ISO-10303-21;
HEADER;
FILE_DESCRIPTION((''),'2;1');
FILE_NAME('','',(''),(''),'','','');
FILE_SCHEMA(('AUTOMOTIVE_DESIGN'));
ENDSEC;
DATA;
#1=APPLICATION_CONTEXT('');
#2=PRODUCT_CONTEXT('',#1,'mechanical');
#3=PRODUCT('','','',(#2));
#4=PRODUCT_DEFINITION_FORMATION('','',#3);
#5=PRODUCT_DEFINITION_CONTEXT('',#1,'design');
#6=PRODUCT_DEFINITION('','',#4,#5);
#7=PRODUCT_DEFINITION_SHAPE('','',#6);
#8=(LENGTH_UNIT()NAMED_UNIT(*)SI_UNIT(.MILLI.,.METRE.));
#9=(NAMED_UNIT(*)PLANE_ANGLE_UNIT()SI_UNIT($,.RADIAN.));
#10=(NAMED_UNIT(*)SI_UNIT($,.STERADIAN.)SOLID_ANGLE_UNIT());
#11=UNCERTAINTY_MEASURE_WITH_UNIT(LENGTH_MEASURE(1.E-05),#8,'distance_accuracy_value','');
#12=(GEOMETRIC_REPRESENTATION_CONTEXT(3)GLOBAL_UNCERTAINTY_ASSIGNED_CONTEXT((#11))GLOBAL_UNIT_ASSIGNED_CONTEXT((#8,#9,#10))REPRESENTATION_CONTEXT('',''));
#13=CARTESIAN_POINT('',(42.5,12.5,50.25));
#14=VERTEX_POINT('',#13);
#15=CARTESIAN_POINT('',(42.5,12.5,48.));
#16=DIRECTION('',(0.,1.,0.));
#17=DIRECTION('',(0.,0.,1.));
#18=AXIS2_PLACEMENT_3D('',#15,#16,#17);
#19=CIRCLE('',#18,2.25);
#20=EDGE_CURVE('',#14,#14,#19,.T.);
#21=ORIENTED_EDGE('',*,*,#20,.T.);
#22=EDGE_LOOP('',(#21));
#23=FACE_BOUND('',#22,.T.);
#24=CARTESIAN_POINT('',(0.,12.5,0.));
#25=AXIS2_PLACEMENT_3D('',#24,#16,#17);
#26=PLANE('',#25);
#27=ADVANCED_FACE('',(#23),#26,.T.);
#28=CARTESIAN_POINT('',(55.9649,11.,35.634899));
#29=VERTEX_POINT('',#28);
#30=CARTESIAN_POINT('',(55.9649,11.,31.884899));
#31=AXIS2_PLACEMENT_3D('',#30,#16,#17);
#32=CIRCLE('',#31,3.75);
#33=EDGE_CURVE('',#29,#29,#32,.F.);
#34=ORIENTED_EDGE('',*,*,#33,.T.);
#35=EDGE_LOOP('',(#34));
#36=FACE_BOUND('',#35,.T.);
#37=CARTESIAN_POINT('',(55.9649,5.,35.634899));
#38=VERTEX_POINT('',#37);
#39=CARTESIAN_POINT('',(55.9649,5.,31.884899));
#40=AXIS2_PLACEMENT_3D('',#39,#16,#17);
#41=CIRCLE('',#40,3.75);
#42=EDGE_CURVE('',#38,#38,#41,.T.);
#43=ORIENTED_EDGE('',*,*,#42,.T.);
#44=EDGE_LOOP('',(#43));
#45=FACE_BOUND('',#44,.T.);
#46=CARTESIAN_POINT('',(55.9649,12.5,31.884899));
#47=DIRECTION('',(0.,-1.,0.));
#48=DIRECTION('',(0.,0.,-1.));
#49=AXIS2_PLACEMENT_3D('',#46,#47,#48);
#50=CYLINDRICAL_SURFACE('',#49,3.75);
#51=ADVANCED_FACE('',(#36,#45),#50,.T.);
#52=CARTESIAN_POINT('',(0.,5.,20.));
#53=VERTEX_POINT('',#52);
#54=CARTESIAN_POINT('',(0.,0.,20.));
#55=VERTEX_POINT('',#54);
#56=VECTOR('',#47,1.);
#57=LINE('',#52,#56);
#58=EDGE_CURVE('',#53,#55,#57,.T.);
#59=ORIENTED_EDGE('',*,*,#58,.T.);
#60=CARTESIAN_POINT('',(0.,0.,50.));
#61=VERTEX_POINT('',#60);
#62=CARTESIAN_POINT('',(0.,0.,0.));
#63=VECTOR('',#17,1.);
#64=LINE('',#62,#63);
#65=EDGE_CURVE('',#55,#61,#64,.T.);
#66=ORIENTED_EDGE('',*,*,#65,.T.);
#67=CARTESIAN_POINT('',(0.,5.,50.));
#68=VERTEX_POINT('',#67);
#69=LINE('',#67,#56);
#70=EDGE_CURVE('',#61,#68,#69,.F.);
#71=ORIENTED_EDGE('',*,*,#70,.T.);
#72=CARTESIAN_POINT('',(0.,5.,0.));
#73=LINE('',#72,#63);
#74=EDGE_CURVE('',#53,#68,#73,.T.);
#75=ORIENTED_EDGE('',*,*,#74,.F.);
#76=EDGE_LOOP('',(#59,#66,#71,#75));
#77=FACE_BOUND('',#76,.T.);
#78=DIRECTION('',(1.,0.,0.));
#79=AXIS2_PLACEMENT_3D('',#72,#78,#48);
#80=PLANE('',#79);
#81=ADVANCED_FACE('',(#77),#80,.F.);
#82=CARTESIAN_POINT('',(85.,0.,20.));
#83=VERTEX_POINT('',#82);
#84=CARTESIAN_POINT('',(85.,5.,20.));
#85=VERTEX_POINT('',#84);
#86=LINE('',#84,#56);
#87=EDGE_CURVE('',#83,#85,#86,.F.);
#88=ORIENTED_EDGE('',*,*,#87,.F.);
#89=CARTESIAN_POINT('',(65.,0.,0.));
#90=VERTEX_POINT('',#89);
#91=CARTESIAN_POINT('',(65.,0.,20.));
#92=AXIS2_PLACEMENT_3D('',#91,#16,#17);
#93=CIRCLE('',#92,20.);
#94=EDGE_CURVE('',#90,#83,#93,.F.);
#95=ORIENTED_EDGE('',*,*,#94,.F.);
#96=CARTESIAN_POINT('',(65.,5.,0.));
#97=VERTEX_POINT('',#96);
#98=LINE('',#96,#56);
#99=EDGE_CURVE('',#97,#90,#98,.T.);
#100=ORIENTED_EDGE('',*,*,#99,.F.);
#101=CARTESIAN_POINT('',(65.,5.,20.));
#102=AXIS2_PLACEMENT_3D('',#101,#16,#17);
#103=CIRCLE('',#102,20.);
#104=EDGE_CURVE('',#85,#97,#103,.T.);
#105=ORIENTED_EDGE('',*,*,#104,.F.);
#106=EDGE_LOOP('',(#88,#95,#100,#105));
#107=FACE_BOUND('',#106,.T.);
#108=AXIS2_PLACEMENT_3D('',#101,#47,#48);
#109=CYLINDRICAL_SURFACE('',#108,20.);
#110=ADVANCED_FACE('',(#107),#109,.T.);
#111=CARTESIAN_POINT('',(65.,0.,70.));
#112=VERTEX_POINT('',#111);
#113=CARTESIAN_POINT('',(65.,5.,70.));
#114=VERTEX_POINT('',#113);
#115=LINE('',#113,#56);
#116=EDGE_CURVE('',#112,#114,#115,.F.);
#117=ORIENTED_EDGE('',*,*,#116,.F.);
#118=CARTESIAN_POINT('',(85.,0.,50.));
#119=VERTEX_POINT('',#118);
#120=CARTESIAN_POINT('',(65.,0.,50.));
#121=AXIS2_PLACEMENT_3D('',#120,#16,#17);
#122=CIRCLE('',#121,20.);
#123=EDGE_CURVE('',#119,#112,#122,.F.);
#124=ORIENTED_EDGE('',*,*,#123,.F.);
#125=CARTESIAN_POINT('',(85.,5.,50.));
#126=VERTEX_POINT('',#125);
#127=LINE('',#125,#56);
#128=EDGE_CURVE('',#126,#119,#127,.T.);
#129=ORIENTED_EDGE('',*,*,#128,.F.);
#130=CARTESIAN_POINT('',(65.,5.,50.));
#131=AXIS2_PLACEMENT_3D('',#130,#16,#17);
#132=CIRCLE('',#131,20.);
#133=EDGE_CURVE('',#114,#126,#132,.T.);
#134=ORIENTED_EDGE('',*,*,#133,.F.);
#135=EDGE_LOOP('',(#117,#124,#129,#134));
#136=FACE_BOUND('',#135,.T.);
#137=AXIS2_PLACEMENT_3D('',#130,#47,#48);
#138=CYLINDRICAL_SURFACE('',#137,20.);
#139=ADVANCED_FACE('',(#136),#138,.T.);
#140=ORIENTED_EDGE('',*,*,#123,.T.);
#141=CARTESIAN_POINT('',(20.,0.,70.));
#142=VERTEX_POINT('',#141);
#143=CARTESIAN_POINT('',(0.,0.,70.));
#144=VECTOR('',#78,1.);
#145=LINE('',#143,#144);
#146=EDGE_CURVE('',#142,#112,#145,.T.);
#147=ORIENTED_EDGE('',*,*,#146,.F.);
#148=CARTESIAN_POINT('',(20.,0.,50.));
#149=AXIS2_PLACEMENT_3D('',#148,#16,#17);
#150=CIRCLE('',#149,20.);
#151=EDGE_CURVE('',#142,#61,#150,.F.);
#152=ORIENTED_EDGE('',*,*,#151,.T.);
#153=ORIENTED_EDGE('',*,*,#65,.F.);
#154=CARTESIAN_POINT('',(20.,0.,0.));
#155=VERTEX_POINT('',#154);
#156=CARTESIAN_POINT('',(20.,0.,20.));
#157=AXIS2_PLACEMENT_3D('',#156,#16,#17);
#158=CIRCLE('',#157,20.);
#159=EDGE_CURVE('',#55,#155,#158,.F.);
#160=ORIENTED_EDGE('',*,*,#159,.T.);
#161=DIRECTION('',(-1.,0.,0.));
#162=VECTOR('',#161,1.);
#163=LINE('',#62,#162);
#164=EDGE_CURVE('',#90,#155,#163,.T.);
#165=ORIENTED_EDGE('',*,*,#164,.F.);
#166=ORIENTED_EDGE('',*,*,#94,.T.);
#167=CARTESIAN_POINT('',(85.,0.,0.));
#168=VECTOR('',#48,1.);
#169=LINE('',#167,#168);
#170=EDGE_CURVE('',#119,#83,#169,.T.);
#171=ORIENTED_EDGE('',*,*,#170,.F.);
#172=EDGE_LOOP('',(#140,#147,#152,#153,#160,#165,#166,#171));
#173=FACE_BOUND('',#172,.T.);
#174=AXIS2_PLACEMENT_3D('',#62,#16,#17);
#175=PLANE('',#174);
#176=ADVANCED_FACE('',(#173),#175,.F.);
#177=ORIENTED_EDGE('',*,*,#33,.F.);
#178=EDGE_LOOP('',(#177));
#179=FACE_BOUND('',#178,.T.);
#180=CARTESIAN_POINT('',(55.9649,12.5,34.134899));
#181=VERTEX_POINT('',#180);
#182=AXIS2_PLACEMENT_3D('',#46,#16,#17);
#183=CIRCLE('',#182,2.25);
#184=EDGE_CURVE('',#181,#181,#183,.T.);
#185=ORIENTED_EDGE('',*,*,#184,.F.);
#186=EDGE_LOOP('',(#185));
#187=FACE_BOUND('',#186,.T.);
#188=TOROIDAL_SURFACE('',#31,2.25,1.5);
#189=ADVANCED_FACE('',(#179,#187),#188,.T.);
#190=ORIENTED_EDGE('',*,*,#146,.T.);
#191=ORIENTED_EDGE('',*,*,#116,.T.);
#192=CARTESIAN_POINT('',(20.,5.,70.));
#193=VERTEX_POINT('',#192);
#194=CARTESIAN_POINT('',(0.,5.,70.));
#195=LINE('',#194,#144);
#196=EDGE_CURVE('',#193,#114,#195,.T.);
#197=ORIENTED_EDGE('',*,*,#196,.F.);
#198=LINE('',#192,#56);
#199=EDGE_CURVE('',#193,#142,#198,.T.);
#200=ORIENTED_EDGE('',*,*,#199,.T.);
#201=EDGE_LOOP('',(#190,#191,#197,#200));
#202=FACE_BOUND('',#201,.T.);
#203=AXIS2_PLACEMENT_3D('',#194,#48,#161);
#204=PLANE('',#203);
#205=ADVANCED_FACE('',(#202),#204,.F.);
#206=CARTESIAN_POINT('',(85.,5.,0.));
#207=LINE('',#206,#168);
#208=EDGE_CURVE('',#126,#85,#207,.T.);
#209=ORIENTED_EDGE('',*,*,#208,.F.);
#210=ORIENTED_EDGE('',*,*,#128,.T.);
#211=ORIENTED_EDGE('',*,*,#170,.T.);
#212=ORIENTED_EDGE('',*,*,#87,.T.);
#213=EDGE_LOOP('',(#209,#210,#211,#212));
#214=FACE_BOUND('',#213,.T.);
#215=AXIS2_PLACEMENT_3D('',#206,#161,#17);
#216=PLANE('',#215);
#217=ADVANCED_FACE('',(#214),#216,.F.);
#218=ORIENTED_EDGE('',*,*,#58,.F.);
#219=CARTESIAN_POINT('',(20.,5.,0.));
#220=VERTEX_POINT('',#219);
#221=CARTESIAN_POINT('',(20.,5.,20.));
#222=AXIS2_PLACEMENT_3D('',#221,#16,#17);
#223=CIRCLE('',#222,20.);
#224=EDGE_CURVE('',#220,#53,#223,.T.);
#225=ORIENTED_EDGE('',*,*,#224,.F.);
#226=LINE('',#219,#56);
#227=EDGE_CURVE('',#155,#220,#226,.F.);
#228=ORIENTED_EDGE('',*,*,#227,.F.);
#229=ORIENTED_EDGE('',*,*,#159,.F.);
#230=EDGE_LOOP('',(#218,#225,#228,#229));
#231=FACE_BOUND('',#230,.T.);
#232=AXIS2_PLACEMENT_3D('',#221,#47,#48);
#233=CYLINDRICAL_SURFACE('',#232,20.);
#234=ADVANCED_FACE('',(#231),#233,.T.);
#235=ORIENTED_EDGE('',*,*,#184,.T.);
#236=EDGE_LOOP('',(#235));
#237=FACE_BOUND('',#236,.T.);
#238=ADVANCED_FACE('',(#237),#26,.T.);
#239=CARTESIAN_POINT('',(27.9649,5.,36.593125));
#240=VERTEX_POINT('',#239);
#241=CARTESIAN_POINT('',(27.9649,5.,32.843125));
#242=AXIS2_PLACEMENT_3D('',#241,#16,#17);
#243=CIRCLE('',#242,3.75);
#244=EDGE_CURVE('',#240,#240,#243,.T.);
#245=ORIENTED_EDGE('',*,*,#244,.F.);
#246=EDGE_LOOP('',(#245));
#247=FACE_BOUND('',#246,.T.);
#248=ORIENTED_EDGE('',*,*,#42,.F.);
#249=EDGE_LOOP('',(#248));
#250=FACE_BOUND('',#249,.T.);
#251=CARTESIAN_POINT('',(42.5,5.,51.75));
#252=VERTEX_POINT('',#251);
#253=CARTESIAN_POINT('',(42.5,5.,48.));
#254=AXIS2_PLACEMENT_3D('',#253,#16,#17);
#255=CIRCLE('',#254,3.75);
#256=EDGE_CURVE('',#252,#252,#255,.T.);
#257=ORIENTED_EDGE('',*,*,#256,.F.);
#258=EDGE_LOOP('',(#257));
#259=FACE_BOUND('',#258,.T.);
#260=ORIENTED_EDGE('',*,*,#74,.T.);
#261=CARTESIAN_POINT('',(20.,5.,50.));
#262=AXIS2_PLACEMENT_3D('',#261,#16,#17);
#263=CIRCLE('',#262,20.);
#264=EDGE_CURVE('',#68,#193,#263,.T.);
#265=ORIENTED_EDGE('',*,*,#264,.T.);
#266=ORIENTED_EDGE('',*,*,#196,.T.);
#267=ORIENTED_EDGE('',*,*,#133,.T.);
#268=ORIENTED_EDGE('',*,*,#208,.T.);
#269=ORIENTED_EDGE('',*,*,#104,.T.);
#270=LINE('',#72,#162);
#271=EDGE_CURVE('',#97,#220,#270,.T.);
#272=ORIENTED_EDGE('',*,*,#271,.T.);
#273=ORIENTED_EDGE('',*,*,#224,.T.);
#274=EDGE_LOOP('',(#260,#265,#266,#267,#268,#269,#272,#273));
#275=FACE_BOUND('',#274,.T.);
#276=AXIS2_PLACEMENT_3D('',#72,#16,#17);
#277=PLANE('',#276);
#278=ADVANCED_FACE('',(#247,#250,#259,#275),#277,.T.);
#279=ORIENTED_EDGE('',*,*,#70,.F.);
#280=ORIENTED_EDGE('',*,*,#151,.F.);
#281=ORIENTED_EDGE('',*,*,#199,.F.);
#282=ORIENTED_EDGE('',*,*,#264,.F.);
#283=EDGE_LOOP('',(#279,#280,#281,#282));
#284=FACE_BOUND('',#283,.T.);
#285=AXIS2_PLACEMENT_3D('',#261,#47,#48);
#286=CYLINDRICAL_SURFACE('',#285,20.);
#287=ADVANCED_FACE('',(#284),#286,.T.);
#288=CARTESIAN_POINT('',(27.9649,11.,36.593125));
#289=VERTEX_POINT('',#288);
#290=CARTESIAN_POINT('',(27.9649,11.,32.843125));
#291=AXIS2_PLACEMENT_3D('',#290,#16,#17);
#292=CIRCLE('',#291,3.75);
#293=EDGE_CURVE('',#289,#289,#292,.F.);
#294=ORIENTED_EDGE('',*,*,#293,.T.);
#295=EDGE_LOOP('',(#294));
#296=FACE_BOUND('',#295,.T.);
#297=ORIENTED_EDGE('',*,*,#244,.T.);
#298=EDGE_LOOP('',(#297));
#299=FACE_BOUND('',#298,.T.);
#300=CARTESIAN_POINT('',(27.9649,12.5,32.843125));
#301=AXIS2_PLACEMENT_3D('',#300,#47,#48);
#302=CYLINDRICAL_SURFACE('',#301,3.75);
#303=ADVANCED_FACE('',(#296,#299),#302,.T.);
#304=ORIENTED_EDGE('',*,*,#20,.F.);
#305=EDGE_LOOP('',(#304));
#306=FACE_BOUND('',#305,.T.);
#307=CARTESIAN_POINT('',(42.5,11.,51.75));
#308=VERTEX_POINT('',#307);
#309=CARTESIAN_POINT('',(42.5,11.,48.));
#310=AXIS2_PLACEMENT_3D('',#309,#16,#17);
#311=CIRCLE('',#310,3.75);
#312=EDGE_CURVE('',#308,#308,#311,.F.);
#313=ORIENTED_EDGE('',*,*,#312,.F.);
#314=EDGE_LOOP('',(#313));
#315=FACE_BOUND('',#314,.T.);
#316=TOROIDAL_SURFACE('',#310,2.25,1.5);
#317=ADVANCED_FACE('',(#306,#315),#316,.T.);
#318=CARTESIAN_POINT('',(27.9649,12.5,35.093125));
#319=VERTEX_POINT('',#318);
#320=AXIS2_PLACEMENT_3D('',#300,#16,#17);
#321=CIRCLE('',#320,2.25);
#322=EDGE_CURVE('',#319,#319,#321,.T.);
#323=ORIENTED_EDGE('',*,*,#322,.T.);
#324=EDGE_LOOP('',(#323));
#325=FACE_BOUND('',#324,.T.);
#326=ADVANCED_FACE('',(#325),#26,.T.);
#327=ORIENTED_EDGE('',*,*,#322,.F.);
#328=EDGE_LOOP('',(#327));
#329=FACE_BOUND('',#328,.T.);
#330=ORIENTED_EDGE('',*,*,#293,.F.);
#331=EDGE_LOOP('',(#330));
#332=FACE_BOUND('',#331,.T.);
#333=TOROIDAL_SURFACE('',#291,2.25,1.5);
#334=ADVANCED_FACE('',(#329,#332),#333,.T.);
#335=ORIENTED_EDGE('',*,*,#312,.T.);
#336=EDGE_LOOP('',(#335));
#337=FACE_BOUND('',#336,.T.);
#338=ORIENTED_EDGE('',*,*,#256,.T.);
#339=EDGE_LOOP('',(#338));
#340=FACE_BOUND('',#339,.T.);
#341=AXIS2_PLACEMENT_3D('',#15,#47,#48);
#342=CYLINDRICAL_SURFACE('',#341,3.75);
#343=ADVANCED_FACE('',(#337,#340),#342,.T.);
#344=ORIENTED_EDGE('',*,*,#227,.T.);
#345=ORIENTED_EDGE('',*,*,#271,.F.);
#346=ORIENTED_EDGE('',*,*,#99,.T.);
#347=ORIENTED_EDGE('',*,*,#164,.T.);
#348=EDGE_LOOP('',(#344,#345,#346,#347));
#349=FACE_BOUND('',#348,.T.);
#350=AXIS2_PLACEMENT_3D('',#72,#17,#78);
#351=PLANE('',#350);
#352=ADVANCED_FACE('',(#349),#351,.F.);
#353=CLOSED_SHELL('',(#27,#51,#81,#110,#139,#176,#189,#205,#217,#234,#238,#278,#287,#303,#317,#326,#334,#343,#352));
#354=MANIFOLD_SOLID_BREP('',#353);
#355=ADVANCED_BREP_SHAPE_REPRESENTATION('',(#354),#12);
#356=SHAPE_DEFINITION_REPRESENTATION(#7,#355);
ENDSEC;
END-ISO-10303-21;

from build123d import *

# Parameters (mm, degrees)
SKETCH1_W           = 85
SKETCH1_H           = 70
BOSS_EXTRUDE1_DEPTH = 5
BOSS_EXTRUDE2_DEPTH = 7.5
FILLET1_R           = 1.5
FILLET2_R           = 20


with BuildPart() as part:
    # Sketch1 → Boss-Extrude1 (new body)
    with BuildSketch(Plane(origin=(0, 0, 0), x_dir=(1, 0, 0), z_dir=(0, 1, 0))):
        with Locations((42.5, -35)):
            Rectangle(SKETCH1_W, SKETCH1_H)
    extrude(amount=BOSS_EXTRUDE1_DEPTH)

    # Sketch2 → Boss-Extrude2 (add)
    with BuildSketch(Plane(origin=(0, 5, 0), x_dir=(1, 0, 0), z_dir=(0, 1, 0))):
        with BuildLine():
            ThreePointArc((31.712705589, -32.714866344), (24.490905169, -31.43108309), (30.560453247, -35.549709909))
            Line((30.560453247, -35.549709909), (27.964899606, -32.843125107))
            Line((27.964899606, -32.843125107), (31.712705589, -32.714866344))
        make_face()
        with BuildLine():
            Line((27.964899606, -32.843125107), (30.560453247, -35.549709909))
            ThreePointArc((30.560453247, -35.549709909), (31.41423477, -34.314378627), (31.714899606, -32.843125107))
            ThreePointArc((31.714899606, -32.843125107), (31.714351061, -32.778986344), (31.712705589, -32.714866344))
            Line((31.712705589, -32.714866344), (27.964899606, -32.843125107))
        make_face()
        with BuildLine():
            ThreePointArc((52.217093622, -32.013157813), (52.595566686, -33.531135874), (53.560453247, -34.762595649))
            Line((53.560453247, -34.762595649), (55.964899606, -31.884899051))
            Line((55.964899606, -31.884899051), (52.217093622, -32.013157813))
        make_face()
        with BuildLine():
            Line((55.964899606, -31.884899051), (53.560453247, -34.762595649))
            ThreePointArc((53.560453247, -34.762595649), (57.553267661, -35.281895801), (59.714899606, -31.884899051))
            ThreePointArc((59.714899606, -31.884899051), (55.900760842, -28.135447595), (52.217093622, -32.013157813))
            Line((52.217093622, -32.013157813), (55.964899606, -31.884899051))
        make_face()
        with BuildLine():
            Line((42.5, -48), (42.5, -51.75))
            ThreePointArc((42.5, -51.75), (45.151650429, -50.651650429), (46.25, -48))
            ThreePointArc((46.25, -48), (45.89699675, -46.411631945), (44.904446358, -45.122303402))
            Line((44.904446358, -45.122303402), (42.5, -48))
        make_face()
        with BuildLine():
            ThreePointArc((39.904446358, -45.293415198), (39.020618373, -49.398714944), (42.5, -51.75))
            Line((42.5, -51.75), (42.5, -48))
            Line((42.5, -48), (39.904446358, -45.293415198))
        make_face()
        with BuildLine():
            Line((39.904446358, -45.293415198), (42.5, -48))
            Line((42.5, -48), (44.904446358, -45.122303402))
            ThreePointArc((44.904446358, -45.122303402), (42.371741238, -44.252194017), (39.904446358, -45.293415198))
        make_face()
    extrude(amount=BOSS_EXTRUDE2_DEPTH)

    # Fillet1
    fillet1_edges = [part.edges().sort_by_distance(p)[0] for p in [
        (25.369345964, 12.5, 30.136540305),
        (59.712705589, 12.5, 31.756640288),
        (45.095553642, 12.5, 50.706584802),
    ]]
    fillet(fillet1_edges, radius=FILLET1_R)

    # Fillet2
    fillet2_edges = [part.edges().sort_by_distance(p)[0] for p in [
        (0, 2.5, 0),
        (85, 2.5, 0),
        (85, 2.5, 70),
        (0, 2.5, 70),
    ]]
    fillet(fillet2_edges, radius=FILLET2_R)


solid = part.part
